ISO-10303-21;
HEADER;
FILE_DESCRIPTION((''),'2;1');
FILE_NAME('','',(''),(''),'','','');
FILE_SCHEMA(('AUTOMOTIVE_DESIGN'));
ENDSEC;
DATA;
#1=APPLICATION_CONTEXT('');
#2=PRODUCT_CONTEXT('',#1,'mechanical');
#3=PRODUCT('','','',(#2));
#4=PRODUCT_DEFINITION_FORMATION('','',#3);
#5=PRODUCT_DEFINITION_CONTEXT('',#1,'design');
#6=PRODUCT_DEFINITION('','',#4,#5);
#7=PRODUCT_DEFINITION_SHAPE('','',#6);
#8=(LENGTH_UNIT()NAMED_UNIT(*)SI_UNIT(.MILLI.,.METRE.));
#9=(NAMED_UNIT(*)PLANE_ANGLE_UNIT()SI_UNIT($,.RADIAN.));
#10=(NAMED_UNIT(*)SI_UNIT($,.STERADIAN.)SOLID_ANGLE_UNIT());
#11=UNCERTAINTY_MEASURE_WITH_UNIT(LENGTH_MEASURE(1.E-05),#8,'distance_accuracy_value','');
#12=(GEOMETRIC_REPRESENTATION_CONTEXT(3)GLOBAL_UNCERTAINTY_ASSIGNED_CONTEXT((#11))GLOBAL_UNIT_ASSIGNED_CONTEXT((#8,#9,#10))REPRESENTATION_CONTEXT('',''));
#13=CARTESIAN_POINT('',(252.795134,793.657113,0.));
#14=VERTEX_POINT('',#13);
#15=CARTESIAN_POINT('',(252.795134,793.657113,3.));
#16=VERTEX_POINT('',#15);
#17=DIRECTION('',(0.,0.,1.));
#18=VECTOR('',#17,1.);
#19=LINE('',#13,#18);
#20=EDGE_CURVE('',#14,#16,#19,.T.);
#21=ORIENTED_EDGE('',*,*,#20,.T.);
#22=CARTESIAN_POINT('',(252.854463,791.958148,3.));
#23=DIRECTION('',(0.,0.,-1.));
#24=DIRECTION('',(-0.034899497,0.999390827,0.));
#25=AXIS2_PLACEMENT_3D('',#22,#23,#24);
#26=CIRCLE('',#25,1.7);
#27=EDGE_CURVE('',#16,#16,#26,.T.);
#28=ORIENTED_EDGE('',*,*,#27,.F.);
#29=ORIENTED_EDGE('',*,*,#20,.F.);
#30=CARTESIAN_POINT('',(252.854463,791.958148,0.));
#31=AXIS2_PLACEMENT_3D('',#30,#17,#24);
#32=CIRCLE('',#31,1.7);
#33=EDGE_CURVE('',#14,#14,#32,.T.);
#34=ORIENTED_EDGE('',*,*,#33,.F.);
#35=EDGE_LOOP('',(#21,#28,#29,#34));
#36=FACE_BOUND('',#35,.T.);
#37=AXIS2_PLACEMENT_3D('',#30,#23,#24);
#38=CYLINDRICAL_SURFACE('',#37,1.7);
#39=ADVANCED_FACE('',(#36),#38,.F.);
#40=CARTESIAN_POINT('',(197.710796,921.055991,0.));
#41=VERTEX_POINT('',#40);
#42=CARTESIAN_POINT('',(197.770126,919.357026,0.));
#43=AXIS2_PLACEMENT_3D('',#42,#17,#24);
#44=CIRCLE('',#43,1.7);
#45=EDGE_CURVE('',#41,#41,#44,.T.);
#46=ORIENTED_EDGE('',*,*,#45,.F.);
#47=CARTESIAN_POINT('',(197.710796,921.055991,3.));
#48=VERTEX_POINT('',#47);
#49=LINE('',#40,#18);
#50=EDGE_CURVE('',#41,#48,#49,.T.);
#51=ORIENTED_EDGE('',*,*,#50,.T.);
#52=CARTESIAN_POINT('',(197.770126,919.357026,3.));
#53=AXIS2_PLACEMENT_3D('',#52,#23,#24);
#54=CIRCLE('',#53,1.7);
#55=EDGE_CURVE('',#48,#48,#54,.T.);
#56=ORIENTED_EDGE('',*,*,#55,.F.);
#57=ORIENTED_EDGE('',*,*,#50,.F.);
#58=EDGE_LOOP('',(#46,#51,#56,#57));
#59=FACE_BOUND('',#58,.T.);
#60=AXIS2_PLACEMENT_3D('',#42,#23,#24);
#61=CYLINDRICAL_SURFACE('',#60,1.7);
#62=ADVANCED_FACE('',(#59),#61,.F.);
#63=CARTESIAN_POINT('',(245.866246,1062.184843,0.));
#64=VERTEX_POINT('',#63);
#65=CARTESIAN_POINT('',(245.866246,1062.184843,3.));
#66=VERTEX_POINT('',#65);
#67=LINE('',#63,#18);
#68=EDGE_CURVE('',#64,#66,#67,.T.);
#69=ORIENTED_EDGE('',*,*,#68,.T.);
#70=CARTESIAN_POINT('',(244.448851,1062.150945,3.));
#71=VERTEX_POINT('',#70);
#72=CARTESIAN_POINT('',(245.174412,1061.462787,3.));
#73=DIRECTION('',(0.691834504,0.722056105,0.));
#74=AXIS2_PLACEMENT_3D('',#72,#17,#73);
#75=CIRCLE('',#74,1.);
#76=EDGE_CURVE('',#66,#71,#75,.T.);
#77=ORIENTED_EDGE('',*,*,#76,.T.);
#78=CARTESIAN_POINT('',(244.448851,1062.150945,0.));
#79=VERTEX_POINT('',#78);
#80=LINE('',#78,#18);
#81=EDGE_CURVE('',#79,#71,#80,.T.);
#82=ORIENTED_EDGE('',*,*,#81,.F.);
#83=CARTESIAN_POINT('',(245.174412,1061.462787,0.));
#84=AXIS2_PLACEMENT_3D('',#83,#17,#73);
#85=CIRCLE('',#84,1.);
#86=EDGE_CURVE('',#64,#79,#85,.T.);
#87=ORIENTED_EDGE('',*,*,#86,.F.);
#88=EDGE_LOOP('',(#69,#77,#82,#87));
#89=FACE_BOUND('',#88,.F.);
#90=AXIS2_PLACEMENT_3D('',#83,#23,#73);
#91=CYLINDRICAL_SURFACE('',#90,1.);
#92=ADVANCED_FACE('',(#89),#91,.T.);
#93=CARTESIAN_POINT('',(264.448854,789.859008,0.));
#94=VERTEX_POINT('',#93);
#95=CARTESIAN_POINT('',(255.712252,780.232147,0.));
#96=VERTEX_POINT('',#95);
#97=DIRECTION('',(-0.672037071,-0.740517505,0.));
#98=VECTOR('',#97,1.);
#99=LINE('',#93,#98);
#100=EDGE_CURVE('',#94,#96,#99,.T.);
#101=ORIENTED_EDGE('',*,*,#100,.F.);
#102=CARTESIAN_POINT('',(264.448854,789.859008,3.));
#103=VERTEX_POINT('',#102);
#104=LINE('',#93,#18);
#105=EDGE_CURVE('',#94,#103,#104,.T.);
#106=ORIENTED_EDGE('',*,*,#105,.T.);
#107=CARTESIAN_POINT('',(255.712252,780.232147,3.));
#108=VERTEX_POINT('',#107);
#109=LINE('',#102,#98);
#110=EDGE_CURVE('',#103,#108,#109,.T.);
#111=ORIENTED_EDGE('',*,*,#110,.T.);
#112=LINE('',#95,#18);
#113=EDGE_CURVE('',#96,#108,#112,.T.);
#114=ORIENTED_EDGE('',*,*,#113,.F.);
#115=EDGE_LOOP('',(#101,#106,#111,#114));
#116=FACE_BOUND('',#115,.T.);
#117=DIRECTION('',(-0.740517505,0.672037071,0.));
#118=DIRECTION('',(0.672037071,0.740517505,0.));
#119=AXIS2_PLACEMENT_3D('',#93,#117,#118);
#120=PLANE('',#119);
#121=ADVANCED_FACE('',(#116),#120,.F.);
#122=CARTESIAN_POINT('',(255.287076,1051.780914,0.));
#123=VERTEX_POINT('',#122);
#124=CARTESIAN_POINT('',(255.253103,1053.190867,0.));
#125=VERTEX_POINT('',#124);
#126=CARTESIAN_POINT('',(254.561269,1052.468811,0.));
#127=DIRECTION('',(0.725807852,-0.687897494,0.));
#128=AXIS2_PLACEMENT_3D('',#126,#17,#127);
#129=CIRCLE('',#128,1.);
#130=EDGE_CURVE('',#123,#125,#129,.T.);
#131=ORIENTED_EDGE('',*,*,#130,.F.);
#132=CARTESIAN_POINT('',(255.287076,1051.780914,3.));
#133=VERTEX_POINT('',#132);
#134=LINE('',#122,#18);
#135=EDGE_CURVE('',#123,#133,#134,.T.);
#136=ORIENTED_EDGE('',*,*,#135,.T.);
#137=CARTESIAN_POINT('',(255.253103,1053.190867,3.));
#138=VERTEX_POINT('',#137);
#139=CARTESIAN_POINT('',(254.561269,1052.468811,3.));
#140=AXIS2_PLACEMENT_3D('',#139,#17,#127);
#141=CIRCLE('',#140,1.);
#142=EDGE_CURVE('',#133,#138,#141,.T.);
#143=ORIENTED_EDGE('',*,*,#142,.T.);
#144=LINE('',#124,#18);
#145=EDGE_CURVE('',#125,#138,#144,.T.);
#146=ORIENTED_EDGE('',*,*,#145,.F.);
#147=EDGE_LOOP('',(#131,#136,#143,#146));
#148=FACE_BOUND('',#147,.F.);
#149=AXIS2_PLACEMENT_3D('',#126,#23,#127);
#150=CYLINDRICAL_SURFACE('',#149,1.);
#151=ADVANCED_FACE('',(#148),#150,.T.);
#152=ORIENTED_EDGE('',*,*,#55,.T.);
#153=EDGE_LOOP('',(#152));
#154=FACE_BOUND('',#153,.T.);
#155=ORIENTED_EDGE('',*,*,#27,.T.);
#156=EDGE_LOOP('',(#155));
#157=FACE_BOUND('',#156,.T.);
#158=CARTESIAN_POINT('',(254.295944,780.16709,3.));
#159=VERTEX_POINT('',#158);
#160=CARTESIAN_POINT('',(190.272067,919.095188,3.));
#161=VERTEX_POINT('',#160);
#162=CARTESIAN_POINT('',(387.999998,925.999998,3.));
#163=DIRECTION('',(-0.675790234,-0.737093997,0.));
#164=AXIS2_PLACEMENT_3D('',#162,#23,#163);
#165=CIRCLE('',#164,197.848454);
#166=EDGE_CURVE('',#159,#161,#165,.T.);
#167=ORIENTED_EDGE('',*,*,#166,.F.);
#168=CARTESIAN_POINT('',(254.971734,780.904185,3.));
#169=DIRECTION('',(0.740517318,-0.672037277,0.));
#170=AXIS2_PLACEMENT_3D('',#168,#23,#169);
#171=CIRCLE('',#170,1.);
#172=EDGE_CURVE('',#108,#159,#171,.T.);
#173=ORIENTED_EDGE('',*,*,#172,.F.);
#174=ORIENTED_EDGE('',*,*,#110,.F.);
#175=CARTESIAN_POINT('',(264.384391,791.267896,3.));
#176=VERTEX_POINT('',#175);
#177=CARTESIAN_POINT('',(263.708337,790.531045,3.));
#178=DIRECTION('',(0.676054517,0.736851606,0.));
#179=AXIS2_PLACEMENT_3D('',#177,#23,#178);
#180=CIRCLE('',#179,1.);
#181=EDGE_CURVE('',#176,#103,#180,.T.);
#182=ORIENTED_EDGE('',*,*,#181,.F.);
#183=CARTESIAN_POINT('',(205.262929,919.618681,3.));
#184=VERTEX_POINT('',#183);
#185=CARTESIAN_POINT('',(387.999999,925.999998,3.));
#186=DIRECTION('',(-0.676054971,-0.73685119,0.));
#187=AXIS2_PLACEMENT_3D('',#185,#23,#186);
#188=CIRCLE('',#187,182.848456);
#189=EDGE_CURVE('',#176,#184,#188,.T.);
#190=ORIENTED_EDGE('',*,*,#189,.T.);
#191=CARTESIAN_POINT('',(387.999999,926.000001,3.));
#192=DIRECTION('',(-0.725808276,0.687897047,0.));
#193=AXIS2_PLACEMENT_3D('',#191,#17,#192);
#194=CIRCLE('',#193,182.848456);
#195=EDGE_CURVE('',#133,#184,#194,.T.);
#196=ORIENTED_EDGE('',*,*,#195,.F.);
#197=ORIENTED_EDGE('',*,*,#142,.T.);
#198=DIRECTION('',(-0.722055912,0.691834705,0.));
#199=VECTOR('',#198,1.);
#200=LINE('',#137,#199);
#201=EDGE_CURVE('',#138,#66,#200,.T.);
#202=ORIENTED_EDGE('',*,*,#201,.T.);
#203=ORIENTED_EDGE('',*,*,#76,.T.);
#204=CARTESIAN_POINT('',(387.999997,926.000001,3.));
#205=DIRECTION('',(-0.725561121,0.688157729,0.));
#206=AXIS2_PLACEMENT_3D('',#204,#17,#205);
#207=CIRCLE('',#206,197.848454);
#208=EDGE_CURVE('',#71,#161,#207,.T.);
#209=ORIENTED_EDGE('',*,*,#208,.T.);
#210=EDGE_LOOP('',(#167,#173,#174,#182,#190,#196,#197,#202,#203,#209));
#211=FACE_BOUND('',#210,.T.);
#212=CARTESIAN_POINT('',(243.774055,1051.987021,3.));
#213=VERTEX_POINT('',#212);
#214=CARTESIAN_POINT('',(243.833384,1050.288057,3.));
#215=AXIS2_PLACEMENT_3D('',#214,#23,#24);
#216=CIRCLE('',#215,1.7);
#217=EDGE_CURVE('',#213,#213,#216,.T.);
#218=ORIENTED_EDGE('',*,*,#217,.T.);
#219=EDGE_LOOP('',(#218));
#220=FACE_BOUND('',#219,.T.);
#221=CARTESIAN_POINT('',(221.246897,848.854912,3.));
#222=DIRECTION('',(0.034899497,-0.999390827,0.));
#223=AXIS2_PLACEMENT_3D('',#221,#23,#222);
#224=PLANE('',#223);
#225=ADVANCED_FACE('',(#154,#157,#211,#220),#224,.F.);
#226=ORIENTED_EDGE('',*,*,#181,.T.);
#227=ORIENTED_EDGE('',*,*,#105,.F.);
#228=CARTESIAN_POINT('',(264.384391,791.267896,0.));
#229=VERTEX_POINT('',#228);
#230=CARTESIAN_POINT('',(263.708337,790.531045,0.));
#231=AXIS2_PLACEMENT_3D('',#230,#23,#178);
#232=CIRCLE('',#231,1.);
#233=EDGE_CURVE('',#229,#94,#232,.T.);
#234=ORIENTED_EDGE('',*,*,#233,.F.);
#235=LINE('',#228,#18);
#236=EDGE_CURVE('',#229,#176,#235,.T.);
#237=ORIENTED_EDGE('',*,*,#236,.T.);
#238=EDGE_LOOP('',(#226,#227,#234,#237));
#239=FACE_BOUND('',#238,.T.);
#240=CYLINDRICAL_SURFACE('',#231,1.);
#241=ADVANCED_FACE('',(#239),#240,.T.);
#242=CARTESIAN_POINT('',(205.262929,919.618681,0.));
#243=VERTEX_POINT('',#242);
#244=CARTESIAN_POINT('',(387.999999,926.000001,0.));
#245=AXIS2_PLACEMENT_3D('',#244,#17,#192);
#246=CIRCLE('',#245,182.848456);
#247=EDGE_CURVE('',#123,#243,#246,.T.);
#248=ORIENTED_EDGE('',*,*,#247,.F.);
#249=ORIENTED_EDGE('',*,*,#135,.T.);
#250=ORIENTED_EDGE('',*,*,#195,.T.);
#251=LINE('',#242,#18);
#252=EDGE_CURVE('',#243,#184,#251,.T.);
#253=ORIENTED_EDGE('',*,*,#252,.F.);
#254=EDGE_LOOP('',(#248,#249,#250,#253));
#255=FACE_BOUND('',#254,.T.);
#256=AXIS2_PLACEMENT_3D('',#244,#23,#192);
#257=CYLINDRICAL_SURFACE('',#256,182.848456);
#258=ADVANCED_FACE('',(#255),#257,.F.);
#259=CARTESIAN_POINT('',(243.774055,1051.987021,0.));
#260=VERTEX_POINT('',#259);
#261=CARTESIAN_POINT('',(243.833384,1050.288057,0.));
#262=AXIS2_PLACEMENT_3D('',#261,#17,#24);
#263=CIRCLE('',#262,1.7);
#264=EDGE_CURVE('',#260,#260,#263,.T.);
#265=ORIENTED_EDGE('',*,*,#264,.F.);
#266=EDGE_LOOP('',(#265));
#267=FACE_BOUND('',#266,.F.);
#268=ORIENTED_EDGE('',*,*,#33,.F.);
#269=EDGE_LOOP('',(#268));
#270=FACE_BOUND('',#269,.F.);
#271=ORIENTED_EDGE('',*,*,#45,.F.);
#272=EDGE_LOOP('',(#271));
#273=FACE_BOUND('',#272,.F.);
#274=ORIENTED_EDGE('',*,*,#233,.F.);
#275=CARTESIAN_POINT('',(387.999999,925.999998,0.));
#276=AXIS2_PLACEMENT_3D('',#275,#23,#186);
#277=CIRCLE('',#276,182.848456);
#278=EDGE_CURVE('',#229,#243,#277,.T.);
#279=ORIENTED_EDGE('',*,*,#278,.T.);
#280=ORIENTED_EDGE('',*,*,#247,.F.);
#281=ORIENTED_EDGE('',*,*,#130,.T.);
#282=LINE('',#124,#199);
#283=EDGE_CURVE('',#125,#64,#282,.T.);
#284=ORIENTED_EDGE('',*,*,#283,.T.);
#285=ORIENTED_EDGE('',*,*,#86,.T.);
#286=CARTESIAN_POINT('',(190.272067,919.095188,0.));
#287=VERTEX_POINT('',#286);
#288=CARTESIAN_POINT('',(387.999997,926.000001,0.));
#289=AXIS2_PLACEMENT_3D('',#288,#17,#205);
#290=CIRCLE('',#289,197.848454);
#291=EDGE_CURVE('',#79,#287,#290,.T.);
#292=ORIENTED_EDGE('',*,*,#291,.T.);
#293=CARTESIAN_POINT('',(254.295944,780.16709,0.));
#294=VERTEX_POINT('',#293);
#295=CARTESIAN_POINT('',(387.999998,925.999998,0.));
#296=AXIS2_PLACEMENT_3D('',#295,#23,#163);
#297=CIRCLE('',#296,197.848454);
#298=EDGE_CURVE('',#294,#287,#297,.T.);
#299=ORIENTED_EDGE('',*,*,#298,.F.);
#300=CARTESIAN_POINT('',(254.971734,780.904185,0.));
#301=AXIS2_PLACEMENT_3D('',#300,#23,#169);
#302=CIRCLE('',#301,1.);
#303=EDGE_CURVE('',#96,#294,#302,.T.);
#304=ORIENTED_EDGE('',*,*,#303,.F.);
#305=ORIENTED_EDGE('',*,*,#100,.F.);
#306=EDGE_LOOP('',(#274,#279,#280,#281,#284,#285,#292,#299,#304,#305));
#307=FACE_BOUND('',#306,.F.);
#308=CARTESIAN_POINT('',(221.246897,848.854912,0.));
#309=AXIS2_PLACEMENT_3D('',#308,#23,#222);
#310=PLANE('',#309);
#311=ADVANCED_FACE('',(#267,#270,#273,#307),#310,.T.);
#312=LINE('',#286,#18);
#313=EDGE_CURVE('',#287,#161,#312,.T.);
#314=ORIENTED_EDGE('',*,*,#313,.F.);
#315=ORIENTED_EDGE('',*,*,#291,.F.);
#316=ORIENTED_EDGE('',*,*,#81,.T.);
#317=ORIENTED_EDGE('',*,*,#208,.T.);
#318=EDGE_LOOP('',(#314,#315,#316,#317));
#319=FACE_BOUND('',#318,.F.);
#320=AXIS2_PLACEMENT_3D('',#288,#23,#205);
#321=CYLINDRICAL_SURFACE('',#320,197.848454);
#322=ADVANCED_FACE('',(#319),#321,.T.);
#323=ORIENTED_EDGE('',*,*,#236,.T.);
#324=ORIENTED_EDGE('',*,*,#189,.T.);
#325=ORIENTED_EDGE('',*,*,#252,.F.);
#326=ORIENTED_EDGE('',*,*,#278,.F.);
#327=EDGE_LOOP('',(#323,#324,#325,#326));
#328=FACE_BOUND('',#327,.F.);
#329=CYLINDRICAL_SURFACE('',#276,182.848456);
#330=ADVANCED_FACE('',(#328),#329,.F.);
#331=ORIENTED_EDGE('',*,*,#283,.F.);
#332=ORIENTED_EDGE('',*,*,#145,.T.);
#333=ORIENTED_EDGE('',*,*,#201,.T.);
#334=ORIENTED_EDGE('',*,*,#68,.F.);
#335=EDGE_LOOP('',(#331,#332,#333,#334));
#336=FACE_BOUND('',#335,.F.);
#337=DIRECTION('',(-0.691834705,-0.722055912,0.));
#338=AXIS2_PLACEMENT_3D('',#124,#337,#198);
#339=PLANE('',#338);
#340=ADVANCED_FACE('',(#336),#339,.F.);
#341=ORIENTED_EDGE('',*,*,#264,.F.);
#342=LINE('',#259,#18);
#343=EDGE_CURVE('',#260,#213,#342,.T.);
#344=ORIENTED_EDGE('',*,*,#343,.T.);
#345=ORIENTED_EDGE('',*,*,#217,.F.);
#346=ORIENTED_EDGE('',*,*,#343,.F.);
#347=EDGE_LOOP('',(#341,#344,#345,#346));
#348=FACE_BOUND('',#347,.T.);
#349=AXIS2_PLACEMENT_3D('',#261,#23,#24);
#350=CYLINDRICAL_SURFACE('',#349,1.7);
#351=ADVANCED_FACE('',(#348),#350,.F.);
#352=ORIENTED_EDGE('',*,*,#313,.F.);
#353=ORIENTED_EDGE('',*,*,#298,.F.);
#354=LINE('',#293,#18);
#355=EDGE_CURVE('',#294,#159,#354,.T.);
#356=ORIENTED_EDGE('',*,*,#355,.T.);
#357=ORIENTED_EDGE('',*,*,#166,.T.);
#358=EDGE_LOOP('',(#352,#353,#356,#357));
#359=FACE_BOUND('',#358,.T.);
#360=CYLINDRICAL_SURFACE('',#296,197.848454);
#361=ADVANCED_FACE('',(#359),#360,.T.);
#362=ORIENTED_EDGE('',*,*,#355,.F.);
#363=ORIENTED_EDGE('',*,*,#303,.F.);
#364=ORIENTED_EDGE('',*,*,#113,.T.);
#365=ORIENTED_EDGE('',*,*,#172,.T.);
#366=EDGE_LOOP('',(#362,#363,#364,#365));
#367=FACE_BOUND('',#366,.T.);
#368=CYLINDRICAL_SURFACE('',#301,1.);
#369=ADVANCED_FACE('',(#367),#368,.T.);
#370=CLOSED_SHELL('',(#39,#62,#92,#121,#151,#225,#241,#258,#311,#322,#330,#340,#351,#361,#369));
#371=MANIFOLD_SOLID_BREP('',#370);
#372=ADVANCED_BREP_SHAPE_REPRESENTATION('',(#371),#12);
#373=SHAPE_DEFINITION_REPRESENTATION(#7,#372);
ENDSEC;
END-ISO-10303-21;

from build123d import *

# Parameters (mm, degrees)
PAD015_DEPTH                        = 3
SKETCH054_R                         = 1.7
POCKET018_DEPTH                     = 0.001
POCKET018_DEPTH_BACK                = 3.001
BODY001003005003004_PLACEMENT_ANGLE = 60
CLONE022_PLACEMENT_ANGLE            = 32


with BuildPart() as part:
    # Sketch053 → Pad015 (new body)
    with BuildSketch(Plane.XY):
        with BuildLine():
            Line((0, 182.848457), (0, 197.848457))
            ThreePointArc((141.077868, 138.712102), (76.485413, 182.466418), (0, 197.848457))
            ThreePointArc((141.062279, 137.294387), (141.364747, 138.000004), (141.077868, 138.712102))
            Line((131.746186, 128.227134), (141.062279, 137.294387))
            ThreePointArc((130.335906, 128.242388), (131.037899, 127.943805), (131.746186, 128.227134))
            ThreePointArc((130.335906, 128.242388), (70.656336, 168.64531), (0, 182.848457))
        make_face()
    pad015 = extrude(amount=PAD015_DEPTH)

    # Mirrored020: Pad015 across Sketch053 V_Axis
    add(pad015.mirror(Plane(origin=(0, 0, 0), x_dir=(0, 0, 1), z_dir=(1, 0, 0))))

    # Sketch054 → Pocket018 (cut, two sides)
    with BuildSketch(Plane.XY) as pocket018_sk:
        with Locations((129.243686, 139.741203)):
            Circle(SKETCH054_R)
        with Locations((0, 190.345828)):
            Circle(SKETCH054_R)
        with Locations((-129.243686, 139.741203)):
            Circle(SKETCH054_R)
    extrude(amount=-POCKET018_DEPTH, mode=Mode.SUBTRACT)
    extrude(pocket018_sk.sketch, amount=POCKET018_DEPTH_BACK, mode=Mode.SUBTRACT)


with BuildPart() as part_1:
    # Body001003005003004 placement: moved
    add(part.part.rotate(Axis((0, 0, 0), (0, 0, 1)), BODY001003005003004_PLACEMENT_ANGLE))


with BuildPart() as part_2:
    # Clone022 placement: moved
    add(part_1.part.moved(Location((388, 926, 0))).rotate(Axis((388, 926, 0), (0, 0, 1)), CLONE022_PLACEMENT_ANGLE))


solid = part_2.part
